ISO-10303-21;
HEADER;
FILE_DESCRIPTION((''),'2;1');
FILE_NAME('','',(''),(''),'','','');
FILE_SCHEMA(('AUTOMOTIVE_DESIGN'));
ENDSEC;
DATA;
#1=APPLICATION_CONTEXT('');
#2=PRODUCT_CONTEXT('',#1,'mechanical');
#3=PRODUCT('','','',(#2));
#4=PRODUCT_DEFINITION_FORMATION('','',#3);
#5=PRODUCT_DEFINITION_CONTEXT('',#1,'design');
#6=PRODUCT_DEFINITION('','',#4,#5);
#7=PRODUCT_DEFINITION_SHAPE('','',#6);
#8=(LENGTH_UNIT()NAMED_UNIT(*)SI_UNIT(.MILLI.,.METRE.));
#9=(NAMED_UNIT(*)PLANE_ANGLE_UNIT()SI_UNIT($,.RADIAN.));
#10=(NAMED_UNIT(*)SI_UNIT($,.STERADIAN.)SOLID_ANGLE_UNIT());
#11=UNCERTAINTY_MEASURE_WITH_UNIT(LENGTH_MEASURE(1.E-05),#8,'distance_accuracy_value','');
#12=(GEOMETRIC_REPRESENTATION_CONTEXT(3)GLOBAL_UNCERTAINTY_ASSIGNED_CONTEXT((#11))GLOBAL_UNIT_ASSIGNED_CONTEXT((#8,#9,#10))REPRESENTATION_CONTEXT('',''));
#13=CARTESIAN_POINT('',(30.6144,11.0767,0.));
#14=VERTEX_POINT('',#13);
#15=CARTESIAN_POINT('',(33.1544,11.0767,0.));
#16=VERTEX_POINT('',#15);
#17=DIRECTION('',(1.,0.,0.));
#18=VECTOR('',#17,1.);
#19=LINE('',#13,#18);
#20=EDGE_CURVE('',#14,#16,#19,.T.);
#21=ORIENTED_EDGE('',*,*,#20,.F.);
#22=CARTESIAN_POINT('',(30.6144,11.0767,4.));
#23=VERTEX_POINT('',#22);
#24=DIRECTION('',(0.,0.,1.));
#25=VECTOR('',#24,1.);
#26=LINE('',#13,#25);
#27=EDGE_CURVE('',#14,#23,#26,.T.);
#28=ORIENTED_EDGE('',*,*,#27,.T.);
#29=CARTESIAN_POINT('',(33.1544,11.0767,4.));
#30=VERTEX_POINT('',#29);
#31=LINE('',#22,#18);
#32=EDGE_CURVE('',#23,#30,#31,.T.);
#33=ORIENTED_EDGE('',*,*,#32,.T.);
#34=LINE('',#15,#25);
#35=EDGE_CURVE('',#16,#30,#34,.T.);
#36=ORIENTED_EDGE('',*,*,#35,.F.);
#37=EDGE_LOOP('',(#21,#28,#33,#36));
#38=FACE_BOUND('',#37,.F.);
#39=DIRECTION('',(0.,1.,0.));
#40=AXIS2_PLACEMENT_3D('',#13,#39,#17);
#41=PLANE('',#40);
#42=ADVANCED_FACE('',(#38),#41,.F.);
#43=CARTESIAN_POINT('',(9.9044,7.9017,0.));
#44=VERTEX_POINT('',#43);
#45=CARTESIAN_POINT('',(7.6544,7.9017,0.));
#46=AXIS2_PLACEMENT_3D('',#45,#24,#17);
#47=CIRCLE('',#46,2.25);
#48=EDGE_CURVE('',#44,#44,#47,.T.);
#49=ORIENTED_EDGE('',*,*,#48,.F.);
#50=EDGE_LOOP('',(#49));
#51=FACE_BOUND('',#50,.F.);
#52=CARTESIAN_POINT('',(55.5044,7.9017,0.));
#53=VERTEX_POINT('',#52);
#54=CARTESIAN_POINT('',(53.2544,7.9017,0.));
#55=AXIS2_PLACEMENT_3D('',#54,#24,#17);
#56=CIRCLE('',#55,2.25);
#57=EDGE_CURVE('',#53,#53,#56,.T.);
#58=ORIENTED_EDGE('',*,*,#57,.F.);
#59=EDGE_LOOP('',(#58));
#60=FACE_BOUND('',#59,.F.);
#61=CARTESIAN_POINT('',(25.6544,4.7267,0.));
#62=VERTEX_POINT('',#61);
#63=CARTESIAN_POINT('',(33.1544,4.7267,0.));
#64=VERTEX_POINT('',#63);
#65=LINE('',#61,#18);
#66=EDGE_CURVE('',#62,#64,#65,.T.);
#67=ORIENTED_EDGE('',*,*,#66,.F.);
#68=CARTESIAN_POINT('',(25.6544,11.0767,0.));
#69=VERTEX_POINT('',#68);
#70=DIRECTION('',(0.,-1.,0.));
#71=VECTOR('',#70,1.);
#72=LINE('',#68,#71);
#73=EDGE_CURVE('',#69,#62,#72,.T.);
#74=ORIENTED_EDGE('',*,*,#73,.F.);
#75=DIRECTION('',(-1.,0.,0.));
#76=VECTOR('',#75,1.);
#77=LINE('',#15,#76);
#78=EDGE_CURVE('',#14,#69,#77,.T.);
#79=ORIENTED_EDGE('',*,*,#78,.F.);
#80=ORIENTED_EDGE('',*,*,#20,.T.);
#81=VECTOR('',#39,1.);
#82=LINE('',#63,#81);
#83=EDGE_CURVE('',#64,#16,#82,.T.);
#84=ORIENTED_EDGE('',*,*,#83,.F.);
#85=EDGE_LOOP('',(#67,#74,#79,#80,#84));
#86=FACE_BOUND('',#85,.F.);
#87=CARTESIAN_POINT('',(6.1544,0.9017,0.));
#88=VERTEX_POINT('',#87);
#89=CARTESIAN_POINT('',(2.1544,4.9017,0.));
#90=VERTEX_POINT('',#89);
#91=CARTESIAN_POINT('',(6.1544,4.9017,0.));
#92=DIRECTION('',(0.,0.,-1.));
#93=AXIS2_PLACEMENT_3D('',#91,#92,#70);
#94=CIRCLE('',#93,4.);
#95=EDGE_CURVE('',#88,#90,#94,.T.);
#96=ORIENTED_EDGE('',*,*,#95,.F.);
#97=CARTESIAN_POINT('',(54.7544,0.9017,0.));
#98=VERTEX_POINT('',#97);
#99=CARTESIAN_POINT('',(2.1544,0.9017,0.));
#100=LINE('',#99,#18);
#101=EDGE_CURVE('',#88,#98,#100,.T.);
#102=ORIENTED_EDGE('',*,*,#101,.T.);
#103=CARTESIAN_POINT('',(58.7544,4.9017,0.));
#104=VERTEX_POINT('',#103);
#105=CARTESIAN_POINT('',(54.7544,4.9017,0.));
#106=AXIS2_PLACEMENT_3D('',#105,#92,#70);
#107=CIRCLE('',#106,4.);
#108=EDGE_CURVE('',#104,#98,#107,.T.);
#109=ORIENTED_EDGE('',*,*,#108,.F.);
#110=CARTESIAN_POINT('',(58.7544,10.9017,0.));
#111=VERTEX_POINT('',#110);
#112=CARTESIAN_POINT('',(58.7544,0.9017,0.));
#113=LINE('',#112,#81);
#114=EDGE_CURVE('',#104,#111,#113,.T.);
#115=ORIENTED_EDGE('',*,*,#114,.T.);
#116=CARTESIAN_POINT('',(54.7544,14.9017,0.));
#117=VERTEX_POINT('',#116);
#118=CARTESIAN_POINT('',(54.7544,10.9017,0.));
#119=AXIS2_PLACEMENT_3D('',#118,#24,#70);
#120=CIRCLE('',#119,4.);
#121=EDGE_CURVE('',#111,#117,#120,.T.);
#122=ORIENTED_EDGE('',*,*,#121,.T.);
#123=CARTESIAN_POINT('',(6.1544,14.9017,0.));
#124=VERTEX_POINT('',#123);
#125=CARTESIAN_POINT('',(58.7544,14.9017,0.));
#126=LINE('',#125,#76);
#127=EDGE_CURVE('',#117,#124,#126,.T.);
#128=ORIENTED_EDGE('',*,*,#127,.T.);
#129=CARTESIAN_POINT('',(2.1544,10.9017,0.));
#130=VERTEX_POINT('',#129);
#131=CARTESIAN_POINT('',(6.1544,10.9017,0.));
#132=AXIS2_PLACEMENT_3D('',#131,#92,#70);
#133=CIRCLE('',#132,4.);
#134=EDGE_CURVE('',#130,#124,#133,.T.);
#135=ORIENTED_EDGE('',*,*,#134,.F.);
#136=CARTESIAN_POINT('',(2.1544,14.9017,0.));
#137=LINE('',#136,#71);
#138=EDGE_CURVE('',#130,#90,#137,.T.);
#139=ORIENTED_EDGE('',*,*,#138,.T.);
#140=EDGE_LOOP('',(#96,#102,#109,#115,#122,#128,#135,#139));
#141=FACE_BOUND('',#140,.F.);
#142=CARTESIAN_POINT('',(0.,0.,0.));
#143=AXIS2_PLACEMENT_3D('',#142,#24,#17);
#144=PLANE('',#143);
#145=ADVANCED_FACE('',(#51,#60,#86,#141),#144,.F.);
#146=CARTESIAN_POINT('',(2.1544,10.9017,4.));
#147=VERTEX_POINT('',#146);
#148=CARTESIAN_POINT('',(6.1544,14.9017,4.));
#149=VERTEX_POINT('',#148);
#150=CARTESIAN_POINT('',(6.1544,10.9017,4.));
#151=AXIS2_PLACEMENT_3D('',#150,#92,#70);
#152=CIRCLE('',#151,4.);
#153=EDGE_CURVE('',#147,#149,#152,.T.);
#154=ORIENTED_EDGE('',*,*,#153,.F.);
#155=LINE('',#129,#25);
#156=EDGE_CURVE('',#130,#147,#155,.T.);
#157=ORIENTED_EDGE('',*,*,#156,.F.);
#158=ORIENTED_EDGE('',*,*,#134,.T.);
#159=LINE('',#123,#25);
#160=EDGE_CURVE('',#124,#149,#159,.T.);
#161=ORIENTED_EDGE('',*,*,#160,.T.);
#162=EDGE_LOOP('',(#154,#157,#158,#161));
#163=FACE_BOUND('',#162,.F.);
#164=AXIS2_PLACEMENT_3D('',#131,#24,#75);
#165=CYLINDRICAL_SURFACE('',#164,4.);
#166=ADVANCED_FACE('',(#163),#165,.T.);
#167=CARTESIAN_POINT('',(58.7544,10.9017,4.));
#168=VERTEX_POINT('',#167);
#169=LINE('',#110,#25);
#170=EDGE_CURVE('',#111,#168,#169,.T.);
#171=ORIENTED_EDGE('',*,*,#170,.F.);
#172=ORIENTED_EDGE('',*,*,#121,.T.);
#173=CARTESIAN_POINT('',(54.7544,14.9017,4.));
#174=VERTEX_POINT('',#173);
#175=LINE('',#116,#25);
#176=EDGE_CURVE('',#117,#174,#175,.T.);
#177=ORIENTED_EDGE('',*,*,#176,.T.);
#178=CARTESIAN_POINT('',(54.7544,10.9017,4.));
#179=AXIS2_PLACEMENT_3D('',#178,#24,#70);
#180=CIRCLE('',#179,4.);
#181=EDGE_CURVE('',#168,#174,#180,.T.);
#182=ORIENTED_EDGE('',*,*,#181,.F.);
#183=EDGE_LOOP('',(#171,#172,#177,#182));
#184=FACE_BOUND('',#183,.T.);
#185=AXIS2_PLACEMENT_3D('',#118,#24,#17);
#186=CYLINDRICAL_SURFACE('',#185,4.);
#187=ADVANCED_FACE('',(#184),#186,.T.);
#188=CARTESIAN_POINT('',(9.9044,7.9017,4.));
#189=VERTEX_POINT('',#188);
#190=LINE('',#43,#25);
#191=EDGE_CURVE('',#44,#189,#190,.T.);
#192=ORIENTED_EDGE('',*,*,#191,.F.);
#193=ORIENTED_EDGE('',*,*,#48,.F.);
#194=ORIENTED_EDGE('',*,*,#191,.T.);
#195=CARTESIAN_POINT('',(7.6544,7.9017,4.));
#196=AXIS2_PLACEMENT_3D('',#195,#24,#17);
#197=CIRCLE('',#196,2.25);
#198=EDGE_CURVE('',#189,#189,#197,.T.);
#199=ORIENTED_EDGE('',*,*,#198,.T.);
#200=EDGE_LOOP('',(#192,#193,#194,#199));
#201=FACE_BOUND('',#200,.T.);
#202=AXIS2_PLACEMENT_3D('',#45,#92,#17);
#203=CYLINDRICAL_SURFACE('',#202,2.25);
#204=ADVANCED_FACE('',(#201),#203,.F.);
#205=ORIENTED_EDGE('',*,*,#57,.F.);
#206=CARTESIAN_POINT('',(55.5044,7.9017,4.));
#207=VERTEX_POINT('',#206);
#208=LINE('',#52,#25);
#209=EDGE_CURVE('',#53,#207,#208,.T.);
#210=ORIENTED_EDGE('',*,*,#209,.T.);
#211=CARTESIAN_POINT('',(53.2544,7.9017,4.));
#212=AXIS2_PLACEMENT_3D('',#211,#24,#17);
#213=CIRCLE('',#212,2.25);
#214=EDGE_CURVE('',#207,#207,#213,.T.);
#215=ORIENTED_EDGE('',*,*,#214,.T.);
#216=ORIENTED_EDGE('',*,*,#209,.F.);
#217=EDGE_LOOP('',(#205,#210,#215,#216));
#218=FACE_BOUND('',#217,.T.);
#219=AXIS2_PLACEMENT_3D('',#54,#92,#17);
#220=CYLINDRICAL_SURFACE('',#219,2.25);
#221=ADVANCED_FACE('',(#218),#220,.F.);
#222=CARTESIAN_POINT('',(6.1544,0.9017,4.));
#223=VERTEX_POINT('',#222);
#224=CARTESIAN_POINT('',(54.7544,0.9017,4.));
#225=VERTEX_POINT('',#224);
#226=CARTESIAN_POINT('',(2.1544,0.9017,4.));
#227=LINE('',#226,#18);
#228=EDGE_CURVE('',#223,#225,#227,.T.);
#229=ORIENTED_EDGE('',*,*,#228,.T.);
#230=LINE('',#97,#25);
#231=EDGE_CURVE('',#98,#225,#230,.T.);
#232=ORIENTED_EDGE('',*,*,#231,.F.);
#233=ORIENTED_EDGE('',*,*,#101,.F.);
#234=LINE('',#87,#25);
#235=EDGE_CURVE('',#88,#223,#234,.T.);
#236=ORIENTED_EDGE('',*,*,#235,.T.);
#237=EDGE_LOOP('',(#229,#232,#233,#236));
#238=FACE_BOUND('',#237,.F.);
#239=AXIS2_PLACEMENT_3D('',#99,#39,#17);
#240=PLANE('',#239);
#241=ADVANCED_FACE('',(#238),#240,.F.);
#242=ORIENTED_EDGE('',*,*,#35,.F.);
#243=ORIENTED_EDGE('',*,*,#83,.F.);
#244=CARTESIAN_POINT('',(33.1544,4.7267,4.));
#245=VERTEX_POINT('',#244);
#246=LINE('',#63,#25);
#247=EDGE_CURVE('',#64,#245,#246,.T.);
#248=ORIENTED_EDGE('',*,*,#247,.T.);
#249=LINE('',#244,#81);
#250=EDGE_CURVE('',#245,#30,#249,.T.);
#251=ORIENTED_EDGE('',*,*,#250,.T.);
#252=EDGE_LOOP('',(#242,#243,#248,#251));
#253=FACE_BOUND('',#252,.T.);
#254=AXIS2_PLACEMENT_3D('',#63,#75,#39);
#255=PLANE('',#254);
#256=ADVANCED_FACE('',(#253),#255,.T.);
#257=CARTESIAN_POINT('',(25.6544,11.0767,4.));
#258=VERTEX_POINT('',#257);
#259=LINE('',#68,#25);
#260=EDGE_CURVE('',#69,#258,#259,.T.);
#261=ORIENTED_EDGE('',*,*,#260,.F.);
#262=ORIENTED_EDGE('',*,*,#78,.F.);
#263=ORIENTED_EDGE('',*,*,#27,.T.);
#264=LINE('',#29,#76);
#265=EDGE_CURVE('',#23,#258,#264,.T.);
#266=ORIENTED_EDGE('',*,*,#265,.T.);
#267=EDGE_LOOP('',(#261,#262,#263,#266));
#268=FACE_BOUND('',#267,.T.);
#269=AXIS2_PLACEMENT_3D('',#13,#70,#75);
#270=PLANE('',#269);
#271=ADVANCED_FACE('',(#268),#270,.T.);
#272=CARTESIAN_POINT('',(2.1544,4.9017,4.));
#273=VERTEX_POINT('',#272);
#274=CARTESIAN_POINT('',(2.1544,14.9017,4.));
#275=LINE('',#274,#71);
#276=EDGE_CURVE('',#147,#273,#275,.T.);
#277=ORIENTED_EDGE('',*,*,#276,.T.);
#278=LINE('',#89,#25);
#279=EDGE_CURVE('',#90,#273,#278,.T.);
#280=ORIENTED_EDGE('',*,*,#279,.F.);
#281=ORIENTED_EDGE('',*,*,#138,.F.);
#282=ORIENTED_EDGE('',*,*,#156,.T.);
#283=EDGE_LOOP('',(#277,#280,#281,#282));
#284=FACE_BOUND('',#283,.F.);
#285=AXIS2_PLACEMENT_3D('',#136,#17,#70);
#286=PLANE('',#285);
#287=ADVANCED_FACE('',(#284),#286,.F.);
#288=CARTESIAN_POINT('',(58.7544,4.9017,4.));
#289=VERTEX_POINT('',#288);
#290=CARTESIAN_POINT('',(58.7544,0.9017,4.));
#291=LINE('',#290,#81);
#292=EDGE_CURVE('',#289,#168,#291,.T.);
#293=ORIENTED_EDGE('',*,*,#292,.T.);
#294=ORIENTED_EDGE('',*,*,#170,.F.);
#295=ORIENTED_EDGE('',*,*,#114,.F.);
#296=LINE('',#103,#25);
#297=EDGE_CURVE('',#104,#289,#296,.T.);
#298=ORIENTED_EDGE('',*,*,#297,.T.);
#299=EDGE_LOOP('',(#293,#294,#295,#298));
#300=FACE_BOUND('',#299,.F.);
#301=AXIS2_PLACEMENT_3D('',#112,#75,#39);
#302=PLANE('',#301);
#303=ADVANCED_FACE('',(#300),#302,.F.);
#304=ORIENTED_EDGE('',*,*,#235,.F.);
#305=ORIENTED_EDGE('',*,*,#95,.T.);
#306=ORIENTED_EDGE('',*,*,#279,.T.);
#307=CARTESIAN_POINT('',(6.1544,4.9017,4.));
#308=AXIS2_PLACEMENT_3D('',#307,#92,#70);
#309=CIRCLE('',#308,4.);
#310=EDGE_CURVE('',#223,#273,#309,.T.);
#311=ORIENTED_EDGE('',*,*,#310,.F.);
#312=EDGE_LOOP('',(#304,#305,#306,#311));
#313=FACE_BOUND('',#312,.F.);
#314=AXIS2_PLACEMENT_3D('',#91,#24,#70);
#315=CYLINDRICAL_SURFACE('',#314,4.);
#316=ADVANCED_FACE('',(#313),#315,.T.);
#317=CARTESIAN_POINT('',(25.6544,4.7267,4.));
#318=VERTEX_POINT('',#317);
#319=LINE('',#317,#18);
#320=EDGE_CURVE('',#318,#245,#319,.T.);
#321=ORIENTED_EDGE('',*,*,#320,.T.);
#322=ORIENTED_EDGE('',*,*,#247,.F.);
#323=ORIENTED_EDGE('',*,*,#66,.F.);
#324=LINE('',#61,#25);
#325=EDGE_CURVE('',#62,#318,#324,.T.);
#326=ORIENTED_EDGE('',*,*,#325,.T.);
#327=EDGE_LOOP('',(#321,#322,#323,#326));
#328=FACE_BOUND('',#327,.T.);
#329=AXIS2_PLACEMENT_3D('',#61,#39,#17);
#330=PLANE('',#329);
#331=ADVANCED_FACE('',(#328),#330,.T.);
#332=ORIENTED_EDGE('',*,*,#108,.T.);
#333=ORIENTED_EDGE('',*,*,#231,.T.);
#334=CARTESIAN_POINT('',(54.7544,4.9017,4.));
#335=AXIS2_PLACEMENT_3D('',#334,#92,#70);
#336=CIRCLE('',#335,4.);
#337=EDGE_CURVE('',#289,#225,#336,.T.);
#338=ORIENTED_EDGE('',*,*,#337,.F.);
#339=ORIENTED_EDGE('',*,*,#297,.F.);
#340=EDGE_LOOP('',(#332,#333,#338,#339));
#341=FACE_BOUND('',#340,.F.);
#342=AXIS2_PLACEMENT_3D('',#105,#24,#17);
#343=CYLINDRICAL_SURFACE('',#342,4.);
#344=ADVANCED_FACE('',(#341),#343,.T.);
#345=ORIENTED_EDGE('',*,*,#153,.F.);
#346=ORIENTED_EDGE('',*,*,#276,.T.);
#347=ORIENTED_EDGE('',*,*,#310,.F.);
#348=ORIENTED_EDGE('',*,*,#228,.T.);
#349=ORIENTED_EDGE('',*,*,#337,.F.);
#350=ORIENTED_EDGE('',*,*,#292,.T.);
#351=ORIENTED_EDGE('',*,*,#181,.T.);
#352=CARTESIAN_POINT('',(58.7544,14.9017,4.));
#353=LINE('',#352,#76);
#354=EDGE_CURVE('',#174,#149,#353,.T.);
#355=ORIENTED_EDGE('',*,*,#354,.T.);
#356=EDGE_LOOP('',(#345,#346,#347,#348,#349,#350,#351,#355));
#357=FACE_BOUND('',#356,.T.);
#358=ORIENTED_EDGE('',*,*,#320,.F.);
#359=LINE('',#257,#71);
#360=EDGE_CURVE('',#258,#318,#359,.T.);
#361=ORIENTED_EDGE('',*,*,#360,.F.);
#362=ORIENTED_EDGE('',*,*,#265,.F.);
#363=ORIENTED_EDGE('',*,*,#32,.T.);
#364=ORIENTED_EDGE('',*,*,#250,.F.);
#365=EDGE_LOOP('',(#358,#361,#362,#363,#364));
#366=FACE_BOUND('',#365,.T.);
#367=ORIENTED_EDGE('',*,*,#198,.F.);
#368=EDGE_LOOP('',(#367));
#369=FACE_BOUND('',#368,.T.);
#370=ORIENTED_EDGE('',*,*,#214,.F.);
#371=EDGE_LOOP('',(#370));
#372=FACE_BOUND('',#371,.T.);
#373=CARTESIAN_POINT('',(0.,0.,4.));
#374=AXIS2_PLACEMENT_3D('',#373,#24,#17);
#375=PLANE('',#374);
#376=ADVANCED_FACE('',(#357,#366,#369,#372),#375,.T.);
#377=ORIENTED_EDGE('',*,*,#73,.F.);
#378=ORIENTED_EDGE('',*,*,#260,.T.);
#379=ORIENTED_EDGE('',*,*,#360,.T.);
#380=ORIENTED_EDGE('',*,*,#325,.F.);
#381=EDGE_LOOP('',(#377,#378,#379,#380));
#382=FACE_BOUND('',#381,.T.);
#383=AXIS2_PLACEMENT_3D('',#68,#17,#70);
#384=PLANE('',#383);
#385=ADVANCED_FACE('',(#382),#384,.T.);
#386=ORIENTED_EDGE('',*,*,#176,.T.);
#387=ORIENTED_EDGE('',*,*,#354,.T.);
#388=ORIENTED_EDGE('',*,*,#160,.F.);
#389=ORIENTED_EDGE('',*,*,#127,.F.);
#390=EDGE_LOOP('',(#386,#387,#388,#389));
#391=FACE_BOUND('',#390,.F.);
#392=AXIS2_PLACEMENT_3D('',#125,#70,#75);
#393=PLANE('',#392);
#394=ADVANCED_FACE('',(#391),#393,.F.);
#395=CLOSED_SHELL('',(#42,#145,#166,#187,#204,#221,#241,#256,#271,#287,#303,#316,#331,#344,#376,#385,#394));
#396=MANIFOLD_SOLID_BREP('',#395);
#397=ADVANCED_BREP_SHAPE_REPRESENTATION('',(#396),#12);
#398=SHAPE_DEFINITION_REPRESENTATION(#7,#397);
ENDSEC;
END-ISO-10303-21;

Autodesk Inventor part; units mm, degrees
ref_plane "YZ Plane" through (0, 0, 0) normal (1, 0, 0) x (0, 1, 0)
ref_plane "XZ Plane" through (0, 0, 0) normal (0, 1, 0) x (-1, 0, 0)
ref_plane "XY Plane" through (0, 0, 0) normal (0, 0, 1) x (1, 0, 0)
sketch "Náčrt1" plane through (0, 0, 0) normal (0, 0, 1) x (1, 0, 0)
  line L0 (30.6144, 11.0767) -> (33.1544, 11.0767)
  line L1 (33.1544, 11.0767) -> (25.6544, 11.0767)
  line L2 (25.6544, 11.0767) -> (25.6544, 4.7267)
  line L3 (25.6544, 4.7267) -> (33.1544, 4.7267)
  line L4 (33.1544, 4.7267) -> (33.1544, 11.0767)
  line L5 (58.7544, 14.9017) -> (2.1544, 14.9017)
  circle A0 centre (7.6544, 7.9017) radius 2.25
  line L6 (2.1544, 14.9017) -> (2.1544, 0.9017)
  circle A1 centre (53.2544, 7.9017) radius 2.25
  line L7 (2.1544, 0.9017) -> (58.7544, 0.9017)
  line L8 (58.7544, 0.9017) -> (58.7544, 14.9017)
  point P0 (33.1544, 4.7267)
  point P1 (7.6544, 7.9017)
  point P2 (53.2544, 7.9017)
  dimension "d2" = 7.5
  dimension "d3" = 6.35
extrude "Vysunutí1" add sketch "Náčrt1" along normal blind 4
fillet "Zaoblení1" radius 4 4 edges at (58.7544, 0.9017, 2) (58.7544, 14.9017, 2) (2.1544, 14.9017, 2) (2.1544, 0.9017, 2)
properties part number "Spojovaci_clen"
